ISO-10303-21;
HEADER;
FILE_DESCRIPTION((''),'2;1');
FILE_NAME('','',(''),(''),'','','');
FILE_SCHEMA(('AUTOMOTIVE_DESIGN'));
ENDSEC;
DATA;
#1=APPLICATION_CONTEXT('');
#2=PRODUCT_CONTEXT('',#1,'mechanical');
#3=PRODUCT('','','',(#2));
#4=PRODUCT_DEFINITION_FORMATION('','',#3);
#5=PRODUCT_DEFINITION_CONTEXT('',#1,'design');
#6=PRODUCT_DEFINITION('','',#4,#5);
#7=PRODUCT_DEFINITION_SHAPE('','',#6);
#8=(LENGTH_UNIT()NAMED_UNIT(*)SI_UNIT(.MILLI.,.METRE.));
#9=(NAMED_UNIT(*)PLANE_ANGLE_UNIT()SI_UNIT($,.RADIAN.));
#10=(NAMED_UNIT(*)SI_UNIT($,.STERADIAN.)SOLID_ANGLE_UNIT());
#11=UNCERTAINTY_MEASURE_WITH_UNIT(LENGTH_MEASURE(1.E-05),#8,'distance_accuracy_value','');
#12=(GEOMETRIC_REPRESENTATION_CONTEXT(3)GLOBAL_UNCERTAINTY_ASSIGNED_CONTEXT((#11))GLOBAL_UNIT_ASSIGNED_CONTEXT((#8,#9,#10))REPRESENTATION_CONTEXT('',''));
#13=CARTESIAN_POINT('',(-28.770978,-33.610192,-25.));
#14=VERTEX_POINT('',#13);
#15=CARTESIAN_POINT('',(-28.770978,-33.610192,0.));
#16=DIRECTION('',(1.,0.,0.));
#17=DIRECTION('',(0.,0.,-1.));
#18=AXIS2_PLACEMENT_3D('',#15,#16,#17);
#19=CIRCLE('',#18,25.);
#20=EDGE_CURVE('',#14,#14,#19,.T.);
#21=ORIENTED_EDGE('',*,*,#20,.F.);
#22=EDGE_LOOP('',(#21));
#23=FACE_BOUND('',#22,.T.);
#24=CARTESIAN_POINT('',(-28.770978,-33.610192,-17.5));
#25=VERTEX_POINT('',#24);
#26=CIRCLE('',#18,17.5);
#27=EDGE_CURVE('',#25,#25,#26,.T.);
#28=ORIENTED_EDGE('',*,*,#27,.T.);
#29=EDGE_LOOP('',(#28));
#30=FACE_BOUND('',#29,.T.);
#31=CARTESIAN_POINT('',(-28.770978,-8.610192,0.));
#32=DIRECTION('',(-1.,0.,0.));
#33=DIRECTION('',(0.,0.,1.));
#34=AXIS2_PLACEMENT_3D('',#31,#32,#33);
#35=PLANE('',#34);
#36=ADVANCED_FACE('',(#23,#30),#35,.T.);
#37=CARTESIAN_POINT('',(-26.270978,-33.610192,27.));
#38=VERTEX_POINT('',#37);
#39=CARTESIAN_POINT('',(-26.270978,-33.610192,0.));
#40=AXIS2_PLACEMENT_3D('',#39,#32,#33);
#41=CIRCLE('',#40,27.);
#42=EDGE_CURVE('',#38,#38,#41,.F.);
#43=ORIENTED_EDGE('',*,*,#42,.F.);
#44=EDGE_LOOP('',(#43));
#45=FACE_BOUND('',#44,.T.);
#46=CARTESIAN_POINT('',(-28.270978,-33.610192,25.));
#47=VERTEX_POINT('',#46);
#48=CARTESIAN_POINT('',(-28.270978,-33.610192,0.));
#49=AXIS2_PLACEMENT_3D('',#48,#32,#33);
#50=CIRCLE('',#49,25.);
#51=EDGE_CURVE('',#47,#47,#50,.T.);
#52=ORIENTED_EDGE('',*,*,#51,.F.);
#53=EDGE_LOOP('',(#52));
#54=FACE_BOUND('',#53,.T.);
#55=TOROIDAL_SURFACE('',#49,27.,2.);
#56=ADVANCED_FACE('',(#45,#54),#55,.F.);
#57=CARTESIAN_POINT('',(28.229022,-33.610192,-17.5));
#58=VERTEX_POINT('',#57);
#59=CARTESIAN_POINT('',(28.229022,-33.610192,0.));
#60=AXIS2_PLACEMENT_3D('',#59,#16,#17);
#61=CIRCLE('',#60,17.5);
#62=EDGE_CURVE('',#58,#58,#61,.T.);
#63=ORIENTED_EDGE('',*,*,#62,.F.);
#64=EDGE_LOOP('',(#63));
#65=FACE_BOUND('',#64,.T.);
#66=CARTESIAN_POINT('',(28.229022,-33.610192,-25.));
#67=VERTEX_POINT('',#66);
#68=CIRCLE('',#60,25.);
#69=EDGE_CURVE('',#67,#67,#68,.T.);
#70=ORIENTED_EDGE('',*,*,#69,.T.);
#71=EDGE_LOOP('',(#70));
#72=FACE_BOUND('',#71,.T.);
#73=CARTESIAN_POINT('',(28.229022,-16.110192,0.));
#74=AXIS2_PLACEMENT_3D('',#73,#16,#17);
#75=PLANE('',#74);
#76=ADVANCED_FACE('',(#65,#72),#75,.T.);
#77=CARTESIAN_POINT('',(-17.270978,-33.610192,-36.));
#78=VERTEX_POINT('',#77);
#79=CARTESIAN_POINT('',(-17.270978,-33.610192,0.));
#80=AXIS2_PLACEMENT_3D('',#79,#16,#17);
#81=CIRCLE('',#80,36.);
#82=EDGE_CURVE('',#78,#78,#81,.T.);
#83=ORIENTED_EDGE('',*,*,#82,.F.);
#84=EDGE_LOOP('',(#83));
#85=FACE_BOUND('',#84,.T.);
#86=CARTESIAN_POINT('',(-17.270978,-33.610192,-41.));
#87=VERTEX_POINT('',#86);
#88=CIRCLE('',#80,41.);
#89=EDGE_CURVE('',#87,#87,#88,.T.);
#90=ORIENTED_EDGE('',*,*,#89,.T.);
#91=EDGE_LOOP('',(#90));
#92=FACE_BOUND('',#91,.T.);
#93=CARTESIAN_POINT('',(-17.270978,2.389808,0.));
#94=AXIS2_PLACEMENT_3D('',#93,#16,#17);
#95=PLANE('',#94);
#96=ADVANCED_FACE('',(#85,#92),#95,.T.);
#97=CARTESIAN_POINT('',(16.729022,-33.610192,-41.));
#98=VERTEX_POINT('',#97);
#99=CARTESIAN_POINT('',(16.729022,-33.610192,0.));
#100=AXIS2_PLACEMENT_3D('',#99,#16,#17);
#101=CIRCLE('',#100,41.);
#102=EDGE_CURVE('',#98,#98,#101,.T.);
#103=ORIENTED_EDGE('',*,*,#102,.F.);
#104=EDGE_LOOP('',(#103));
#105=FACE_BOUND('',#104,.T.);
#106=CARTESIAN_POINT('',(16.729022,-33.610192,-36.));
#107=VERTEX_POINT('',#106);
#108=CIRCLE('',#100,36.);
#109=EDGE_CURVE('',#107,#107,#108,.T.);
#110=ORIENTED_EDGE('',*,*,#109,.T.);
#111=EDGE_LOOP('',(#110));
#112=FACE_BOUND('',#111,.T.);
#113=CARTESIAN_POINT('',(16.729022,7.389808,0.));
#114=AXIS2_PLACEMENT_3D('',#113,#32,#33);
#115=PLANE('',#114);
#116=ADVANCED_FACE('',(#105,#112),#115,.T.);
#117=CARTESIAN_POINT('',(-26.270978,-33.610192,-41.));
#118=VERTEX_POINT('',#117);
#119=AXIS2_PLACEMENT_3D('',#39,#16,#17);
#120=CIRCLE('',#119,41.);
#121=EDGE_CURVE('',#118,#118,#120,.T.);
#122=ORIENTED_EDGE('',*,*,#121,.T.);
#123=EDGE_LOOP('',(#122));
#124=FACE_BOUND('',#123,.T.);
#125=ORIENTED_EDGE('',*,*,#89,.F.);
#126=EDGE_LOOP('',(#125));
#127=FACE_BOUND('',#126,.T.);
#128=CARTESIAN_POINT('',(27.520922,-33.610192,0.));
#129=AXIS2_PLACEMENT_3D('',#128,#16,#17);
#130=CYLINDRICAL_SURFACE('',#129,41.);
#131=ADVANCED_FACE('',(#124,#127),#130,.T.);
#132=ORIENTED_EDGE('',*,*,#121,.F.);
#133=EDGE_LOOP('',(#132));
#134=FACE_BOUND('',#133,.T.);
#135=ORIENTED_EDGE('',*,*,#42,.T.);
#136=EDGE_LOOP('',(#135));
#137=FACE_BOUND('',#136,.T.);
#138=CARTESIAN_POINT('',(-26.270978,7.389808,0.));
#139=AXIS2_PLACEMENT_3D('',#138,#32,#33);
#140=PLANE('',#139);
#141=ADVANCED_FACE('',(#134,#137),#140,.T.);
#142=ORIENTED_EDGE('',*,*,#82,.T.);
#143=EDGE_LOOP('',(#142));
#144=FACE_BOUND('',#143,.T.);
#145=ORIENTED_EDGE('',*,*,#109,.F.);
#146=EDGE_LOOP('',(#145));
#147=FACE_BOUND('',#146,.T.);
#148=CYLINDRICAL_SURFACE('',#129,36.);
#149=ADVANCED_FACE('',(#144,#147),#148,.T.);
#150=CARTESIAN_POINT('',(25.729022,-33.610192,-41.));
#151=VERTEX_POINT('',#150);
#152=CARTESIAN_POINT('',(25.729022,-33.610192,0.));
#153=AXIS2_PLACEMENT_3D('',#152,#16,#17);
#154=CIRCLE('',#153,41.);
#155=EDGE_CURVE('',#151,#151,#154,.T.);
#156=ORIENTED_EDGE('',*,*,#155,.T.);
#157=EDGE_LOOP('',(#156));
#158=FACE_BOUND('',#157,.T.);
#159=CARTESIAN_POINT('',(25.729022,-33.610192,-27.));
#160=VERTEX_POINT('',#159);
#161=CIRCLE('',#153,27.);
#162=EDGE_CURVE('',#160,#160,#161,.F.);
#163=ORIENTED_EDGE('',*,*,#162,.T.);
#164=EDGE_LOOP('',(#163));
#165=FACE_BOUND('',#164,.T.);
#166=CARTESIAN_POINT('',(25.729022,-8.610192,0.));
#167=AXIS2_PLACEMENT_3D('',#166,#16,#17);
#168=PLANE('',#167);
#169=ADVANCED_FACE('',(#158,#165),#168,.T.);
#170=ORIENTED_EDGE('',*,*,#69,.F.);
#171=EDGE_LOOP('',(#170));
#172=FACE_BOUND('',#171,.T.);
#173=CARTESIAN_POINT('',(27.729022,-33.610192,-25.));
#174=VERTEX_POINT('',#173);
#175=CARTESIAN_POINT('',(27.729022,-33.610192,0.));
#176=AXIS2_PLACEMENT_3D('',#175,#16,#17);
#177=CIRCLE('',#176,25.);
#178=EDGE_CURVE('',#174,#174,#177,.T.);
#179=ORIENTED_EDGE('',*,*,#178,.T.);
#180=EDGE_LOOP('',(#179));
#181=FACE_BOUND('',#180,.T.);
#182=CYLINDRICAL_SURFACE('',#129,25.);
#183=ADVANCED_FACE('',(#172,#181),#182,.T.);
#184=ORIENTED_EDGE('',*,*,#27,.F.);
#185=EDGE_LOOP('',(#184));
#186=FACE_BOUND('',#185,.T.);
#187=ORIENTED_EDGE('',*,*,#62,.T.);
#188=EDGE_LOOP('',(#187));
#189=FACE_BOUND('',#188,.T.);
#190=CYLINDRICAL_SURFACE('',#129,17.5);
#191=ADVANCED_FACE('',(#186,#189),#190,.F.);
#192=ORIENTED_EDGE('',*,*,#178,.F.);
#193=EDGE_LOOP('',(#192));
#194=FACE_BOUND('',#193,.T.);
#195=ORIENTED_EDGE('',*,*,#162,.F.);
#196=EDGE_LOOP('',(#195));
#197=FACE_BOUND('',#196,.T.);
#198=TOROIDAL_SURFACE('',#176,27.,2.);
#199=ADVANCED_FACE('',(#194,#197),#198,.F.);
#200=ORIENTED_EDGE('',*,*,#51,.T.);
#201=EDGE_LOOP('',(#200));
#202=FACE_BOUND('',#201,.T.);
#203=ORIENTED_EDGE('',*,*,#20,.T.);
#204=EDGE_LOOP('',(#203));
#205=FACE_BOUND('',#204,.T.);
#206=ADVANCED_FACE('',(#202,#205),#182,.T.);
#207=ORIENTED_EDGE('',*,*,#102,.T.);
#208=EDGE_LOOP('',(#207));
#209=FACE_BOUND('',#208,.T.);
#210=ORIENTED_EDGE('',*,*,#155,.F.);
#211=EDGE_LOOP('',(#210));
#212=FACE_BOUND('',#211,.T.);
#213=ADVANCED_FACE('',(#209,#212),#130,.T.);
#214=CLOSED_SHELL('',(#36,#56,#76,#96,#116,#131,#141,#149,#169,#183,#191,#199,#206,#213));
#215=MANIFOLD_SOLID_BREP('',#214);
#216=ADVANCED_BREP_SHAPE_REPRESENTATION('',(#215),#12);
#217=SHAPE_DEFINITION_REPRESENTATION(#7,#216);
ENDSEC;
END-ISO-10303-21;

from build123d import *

# Parameters (mm, degrees)
FILLET1_R = 2


with BuildPart() as part:
    # Sketch1 → Revolve1 (revolve)
    with BuildSketch(Plane.XY, mode=Mode.PRIVATE) as revolve1_sk:
        Polygon((28.229021504, -16.110191686), (28.229021504, -8.610191686), (25.729021504, -8.610191686), (25.729021504, 7.389808314), (16.729021504, 7.389808314), (16.729021504, 2.389808314), (-17.270978496, 2.389808314), (-17.270978496, 7.389808314), (-26.270978496, 7.389808314), (-26.270978496, -8.610191686), (-28.770978496, -8.610191686), (-28.770978496, -16.110191686), align=None)
    revolve(revolve1_sk.sketch.rotate(Axis((27.520922354, -33.610191686, 0), (-1, 0, 0)), 90), axis=Axis((27.520922354, -33.610191686, 0), (-1, 0, 0)))

    # Fillet1
    fillet1_edges = [part.edges().sort_by_distance(p)[0] for p in [
        (-26.270978496, -33.610191686, 25),
        (25.729021504, -33.610191686, 25),
    ]]
    fillet(fillet1_edges, radius=FILLET1_R)


solid = part.part
